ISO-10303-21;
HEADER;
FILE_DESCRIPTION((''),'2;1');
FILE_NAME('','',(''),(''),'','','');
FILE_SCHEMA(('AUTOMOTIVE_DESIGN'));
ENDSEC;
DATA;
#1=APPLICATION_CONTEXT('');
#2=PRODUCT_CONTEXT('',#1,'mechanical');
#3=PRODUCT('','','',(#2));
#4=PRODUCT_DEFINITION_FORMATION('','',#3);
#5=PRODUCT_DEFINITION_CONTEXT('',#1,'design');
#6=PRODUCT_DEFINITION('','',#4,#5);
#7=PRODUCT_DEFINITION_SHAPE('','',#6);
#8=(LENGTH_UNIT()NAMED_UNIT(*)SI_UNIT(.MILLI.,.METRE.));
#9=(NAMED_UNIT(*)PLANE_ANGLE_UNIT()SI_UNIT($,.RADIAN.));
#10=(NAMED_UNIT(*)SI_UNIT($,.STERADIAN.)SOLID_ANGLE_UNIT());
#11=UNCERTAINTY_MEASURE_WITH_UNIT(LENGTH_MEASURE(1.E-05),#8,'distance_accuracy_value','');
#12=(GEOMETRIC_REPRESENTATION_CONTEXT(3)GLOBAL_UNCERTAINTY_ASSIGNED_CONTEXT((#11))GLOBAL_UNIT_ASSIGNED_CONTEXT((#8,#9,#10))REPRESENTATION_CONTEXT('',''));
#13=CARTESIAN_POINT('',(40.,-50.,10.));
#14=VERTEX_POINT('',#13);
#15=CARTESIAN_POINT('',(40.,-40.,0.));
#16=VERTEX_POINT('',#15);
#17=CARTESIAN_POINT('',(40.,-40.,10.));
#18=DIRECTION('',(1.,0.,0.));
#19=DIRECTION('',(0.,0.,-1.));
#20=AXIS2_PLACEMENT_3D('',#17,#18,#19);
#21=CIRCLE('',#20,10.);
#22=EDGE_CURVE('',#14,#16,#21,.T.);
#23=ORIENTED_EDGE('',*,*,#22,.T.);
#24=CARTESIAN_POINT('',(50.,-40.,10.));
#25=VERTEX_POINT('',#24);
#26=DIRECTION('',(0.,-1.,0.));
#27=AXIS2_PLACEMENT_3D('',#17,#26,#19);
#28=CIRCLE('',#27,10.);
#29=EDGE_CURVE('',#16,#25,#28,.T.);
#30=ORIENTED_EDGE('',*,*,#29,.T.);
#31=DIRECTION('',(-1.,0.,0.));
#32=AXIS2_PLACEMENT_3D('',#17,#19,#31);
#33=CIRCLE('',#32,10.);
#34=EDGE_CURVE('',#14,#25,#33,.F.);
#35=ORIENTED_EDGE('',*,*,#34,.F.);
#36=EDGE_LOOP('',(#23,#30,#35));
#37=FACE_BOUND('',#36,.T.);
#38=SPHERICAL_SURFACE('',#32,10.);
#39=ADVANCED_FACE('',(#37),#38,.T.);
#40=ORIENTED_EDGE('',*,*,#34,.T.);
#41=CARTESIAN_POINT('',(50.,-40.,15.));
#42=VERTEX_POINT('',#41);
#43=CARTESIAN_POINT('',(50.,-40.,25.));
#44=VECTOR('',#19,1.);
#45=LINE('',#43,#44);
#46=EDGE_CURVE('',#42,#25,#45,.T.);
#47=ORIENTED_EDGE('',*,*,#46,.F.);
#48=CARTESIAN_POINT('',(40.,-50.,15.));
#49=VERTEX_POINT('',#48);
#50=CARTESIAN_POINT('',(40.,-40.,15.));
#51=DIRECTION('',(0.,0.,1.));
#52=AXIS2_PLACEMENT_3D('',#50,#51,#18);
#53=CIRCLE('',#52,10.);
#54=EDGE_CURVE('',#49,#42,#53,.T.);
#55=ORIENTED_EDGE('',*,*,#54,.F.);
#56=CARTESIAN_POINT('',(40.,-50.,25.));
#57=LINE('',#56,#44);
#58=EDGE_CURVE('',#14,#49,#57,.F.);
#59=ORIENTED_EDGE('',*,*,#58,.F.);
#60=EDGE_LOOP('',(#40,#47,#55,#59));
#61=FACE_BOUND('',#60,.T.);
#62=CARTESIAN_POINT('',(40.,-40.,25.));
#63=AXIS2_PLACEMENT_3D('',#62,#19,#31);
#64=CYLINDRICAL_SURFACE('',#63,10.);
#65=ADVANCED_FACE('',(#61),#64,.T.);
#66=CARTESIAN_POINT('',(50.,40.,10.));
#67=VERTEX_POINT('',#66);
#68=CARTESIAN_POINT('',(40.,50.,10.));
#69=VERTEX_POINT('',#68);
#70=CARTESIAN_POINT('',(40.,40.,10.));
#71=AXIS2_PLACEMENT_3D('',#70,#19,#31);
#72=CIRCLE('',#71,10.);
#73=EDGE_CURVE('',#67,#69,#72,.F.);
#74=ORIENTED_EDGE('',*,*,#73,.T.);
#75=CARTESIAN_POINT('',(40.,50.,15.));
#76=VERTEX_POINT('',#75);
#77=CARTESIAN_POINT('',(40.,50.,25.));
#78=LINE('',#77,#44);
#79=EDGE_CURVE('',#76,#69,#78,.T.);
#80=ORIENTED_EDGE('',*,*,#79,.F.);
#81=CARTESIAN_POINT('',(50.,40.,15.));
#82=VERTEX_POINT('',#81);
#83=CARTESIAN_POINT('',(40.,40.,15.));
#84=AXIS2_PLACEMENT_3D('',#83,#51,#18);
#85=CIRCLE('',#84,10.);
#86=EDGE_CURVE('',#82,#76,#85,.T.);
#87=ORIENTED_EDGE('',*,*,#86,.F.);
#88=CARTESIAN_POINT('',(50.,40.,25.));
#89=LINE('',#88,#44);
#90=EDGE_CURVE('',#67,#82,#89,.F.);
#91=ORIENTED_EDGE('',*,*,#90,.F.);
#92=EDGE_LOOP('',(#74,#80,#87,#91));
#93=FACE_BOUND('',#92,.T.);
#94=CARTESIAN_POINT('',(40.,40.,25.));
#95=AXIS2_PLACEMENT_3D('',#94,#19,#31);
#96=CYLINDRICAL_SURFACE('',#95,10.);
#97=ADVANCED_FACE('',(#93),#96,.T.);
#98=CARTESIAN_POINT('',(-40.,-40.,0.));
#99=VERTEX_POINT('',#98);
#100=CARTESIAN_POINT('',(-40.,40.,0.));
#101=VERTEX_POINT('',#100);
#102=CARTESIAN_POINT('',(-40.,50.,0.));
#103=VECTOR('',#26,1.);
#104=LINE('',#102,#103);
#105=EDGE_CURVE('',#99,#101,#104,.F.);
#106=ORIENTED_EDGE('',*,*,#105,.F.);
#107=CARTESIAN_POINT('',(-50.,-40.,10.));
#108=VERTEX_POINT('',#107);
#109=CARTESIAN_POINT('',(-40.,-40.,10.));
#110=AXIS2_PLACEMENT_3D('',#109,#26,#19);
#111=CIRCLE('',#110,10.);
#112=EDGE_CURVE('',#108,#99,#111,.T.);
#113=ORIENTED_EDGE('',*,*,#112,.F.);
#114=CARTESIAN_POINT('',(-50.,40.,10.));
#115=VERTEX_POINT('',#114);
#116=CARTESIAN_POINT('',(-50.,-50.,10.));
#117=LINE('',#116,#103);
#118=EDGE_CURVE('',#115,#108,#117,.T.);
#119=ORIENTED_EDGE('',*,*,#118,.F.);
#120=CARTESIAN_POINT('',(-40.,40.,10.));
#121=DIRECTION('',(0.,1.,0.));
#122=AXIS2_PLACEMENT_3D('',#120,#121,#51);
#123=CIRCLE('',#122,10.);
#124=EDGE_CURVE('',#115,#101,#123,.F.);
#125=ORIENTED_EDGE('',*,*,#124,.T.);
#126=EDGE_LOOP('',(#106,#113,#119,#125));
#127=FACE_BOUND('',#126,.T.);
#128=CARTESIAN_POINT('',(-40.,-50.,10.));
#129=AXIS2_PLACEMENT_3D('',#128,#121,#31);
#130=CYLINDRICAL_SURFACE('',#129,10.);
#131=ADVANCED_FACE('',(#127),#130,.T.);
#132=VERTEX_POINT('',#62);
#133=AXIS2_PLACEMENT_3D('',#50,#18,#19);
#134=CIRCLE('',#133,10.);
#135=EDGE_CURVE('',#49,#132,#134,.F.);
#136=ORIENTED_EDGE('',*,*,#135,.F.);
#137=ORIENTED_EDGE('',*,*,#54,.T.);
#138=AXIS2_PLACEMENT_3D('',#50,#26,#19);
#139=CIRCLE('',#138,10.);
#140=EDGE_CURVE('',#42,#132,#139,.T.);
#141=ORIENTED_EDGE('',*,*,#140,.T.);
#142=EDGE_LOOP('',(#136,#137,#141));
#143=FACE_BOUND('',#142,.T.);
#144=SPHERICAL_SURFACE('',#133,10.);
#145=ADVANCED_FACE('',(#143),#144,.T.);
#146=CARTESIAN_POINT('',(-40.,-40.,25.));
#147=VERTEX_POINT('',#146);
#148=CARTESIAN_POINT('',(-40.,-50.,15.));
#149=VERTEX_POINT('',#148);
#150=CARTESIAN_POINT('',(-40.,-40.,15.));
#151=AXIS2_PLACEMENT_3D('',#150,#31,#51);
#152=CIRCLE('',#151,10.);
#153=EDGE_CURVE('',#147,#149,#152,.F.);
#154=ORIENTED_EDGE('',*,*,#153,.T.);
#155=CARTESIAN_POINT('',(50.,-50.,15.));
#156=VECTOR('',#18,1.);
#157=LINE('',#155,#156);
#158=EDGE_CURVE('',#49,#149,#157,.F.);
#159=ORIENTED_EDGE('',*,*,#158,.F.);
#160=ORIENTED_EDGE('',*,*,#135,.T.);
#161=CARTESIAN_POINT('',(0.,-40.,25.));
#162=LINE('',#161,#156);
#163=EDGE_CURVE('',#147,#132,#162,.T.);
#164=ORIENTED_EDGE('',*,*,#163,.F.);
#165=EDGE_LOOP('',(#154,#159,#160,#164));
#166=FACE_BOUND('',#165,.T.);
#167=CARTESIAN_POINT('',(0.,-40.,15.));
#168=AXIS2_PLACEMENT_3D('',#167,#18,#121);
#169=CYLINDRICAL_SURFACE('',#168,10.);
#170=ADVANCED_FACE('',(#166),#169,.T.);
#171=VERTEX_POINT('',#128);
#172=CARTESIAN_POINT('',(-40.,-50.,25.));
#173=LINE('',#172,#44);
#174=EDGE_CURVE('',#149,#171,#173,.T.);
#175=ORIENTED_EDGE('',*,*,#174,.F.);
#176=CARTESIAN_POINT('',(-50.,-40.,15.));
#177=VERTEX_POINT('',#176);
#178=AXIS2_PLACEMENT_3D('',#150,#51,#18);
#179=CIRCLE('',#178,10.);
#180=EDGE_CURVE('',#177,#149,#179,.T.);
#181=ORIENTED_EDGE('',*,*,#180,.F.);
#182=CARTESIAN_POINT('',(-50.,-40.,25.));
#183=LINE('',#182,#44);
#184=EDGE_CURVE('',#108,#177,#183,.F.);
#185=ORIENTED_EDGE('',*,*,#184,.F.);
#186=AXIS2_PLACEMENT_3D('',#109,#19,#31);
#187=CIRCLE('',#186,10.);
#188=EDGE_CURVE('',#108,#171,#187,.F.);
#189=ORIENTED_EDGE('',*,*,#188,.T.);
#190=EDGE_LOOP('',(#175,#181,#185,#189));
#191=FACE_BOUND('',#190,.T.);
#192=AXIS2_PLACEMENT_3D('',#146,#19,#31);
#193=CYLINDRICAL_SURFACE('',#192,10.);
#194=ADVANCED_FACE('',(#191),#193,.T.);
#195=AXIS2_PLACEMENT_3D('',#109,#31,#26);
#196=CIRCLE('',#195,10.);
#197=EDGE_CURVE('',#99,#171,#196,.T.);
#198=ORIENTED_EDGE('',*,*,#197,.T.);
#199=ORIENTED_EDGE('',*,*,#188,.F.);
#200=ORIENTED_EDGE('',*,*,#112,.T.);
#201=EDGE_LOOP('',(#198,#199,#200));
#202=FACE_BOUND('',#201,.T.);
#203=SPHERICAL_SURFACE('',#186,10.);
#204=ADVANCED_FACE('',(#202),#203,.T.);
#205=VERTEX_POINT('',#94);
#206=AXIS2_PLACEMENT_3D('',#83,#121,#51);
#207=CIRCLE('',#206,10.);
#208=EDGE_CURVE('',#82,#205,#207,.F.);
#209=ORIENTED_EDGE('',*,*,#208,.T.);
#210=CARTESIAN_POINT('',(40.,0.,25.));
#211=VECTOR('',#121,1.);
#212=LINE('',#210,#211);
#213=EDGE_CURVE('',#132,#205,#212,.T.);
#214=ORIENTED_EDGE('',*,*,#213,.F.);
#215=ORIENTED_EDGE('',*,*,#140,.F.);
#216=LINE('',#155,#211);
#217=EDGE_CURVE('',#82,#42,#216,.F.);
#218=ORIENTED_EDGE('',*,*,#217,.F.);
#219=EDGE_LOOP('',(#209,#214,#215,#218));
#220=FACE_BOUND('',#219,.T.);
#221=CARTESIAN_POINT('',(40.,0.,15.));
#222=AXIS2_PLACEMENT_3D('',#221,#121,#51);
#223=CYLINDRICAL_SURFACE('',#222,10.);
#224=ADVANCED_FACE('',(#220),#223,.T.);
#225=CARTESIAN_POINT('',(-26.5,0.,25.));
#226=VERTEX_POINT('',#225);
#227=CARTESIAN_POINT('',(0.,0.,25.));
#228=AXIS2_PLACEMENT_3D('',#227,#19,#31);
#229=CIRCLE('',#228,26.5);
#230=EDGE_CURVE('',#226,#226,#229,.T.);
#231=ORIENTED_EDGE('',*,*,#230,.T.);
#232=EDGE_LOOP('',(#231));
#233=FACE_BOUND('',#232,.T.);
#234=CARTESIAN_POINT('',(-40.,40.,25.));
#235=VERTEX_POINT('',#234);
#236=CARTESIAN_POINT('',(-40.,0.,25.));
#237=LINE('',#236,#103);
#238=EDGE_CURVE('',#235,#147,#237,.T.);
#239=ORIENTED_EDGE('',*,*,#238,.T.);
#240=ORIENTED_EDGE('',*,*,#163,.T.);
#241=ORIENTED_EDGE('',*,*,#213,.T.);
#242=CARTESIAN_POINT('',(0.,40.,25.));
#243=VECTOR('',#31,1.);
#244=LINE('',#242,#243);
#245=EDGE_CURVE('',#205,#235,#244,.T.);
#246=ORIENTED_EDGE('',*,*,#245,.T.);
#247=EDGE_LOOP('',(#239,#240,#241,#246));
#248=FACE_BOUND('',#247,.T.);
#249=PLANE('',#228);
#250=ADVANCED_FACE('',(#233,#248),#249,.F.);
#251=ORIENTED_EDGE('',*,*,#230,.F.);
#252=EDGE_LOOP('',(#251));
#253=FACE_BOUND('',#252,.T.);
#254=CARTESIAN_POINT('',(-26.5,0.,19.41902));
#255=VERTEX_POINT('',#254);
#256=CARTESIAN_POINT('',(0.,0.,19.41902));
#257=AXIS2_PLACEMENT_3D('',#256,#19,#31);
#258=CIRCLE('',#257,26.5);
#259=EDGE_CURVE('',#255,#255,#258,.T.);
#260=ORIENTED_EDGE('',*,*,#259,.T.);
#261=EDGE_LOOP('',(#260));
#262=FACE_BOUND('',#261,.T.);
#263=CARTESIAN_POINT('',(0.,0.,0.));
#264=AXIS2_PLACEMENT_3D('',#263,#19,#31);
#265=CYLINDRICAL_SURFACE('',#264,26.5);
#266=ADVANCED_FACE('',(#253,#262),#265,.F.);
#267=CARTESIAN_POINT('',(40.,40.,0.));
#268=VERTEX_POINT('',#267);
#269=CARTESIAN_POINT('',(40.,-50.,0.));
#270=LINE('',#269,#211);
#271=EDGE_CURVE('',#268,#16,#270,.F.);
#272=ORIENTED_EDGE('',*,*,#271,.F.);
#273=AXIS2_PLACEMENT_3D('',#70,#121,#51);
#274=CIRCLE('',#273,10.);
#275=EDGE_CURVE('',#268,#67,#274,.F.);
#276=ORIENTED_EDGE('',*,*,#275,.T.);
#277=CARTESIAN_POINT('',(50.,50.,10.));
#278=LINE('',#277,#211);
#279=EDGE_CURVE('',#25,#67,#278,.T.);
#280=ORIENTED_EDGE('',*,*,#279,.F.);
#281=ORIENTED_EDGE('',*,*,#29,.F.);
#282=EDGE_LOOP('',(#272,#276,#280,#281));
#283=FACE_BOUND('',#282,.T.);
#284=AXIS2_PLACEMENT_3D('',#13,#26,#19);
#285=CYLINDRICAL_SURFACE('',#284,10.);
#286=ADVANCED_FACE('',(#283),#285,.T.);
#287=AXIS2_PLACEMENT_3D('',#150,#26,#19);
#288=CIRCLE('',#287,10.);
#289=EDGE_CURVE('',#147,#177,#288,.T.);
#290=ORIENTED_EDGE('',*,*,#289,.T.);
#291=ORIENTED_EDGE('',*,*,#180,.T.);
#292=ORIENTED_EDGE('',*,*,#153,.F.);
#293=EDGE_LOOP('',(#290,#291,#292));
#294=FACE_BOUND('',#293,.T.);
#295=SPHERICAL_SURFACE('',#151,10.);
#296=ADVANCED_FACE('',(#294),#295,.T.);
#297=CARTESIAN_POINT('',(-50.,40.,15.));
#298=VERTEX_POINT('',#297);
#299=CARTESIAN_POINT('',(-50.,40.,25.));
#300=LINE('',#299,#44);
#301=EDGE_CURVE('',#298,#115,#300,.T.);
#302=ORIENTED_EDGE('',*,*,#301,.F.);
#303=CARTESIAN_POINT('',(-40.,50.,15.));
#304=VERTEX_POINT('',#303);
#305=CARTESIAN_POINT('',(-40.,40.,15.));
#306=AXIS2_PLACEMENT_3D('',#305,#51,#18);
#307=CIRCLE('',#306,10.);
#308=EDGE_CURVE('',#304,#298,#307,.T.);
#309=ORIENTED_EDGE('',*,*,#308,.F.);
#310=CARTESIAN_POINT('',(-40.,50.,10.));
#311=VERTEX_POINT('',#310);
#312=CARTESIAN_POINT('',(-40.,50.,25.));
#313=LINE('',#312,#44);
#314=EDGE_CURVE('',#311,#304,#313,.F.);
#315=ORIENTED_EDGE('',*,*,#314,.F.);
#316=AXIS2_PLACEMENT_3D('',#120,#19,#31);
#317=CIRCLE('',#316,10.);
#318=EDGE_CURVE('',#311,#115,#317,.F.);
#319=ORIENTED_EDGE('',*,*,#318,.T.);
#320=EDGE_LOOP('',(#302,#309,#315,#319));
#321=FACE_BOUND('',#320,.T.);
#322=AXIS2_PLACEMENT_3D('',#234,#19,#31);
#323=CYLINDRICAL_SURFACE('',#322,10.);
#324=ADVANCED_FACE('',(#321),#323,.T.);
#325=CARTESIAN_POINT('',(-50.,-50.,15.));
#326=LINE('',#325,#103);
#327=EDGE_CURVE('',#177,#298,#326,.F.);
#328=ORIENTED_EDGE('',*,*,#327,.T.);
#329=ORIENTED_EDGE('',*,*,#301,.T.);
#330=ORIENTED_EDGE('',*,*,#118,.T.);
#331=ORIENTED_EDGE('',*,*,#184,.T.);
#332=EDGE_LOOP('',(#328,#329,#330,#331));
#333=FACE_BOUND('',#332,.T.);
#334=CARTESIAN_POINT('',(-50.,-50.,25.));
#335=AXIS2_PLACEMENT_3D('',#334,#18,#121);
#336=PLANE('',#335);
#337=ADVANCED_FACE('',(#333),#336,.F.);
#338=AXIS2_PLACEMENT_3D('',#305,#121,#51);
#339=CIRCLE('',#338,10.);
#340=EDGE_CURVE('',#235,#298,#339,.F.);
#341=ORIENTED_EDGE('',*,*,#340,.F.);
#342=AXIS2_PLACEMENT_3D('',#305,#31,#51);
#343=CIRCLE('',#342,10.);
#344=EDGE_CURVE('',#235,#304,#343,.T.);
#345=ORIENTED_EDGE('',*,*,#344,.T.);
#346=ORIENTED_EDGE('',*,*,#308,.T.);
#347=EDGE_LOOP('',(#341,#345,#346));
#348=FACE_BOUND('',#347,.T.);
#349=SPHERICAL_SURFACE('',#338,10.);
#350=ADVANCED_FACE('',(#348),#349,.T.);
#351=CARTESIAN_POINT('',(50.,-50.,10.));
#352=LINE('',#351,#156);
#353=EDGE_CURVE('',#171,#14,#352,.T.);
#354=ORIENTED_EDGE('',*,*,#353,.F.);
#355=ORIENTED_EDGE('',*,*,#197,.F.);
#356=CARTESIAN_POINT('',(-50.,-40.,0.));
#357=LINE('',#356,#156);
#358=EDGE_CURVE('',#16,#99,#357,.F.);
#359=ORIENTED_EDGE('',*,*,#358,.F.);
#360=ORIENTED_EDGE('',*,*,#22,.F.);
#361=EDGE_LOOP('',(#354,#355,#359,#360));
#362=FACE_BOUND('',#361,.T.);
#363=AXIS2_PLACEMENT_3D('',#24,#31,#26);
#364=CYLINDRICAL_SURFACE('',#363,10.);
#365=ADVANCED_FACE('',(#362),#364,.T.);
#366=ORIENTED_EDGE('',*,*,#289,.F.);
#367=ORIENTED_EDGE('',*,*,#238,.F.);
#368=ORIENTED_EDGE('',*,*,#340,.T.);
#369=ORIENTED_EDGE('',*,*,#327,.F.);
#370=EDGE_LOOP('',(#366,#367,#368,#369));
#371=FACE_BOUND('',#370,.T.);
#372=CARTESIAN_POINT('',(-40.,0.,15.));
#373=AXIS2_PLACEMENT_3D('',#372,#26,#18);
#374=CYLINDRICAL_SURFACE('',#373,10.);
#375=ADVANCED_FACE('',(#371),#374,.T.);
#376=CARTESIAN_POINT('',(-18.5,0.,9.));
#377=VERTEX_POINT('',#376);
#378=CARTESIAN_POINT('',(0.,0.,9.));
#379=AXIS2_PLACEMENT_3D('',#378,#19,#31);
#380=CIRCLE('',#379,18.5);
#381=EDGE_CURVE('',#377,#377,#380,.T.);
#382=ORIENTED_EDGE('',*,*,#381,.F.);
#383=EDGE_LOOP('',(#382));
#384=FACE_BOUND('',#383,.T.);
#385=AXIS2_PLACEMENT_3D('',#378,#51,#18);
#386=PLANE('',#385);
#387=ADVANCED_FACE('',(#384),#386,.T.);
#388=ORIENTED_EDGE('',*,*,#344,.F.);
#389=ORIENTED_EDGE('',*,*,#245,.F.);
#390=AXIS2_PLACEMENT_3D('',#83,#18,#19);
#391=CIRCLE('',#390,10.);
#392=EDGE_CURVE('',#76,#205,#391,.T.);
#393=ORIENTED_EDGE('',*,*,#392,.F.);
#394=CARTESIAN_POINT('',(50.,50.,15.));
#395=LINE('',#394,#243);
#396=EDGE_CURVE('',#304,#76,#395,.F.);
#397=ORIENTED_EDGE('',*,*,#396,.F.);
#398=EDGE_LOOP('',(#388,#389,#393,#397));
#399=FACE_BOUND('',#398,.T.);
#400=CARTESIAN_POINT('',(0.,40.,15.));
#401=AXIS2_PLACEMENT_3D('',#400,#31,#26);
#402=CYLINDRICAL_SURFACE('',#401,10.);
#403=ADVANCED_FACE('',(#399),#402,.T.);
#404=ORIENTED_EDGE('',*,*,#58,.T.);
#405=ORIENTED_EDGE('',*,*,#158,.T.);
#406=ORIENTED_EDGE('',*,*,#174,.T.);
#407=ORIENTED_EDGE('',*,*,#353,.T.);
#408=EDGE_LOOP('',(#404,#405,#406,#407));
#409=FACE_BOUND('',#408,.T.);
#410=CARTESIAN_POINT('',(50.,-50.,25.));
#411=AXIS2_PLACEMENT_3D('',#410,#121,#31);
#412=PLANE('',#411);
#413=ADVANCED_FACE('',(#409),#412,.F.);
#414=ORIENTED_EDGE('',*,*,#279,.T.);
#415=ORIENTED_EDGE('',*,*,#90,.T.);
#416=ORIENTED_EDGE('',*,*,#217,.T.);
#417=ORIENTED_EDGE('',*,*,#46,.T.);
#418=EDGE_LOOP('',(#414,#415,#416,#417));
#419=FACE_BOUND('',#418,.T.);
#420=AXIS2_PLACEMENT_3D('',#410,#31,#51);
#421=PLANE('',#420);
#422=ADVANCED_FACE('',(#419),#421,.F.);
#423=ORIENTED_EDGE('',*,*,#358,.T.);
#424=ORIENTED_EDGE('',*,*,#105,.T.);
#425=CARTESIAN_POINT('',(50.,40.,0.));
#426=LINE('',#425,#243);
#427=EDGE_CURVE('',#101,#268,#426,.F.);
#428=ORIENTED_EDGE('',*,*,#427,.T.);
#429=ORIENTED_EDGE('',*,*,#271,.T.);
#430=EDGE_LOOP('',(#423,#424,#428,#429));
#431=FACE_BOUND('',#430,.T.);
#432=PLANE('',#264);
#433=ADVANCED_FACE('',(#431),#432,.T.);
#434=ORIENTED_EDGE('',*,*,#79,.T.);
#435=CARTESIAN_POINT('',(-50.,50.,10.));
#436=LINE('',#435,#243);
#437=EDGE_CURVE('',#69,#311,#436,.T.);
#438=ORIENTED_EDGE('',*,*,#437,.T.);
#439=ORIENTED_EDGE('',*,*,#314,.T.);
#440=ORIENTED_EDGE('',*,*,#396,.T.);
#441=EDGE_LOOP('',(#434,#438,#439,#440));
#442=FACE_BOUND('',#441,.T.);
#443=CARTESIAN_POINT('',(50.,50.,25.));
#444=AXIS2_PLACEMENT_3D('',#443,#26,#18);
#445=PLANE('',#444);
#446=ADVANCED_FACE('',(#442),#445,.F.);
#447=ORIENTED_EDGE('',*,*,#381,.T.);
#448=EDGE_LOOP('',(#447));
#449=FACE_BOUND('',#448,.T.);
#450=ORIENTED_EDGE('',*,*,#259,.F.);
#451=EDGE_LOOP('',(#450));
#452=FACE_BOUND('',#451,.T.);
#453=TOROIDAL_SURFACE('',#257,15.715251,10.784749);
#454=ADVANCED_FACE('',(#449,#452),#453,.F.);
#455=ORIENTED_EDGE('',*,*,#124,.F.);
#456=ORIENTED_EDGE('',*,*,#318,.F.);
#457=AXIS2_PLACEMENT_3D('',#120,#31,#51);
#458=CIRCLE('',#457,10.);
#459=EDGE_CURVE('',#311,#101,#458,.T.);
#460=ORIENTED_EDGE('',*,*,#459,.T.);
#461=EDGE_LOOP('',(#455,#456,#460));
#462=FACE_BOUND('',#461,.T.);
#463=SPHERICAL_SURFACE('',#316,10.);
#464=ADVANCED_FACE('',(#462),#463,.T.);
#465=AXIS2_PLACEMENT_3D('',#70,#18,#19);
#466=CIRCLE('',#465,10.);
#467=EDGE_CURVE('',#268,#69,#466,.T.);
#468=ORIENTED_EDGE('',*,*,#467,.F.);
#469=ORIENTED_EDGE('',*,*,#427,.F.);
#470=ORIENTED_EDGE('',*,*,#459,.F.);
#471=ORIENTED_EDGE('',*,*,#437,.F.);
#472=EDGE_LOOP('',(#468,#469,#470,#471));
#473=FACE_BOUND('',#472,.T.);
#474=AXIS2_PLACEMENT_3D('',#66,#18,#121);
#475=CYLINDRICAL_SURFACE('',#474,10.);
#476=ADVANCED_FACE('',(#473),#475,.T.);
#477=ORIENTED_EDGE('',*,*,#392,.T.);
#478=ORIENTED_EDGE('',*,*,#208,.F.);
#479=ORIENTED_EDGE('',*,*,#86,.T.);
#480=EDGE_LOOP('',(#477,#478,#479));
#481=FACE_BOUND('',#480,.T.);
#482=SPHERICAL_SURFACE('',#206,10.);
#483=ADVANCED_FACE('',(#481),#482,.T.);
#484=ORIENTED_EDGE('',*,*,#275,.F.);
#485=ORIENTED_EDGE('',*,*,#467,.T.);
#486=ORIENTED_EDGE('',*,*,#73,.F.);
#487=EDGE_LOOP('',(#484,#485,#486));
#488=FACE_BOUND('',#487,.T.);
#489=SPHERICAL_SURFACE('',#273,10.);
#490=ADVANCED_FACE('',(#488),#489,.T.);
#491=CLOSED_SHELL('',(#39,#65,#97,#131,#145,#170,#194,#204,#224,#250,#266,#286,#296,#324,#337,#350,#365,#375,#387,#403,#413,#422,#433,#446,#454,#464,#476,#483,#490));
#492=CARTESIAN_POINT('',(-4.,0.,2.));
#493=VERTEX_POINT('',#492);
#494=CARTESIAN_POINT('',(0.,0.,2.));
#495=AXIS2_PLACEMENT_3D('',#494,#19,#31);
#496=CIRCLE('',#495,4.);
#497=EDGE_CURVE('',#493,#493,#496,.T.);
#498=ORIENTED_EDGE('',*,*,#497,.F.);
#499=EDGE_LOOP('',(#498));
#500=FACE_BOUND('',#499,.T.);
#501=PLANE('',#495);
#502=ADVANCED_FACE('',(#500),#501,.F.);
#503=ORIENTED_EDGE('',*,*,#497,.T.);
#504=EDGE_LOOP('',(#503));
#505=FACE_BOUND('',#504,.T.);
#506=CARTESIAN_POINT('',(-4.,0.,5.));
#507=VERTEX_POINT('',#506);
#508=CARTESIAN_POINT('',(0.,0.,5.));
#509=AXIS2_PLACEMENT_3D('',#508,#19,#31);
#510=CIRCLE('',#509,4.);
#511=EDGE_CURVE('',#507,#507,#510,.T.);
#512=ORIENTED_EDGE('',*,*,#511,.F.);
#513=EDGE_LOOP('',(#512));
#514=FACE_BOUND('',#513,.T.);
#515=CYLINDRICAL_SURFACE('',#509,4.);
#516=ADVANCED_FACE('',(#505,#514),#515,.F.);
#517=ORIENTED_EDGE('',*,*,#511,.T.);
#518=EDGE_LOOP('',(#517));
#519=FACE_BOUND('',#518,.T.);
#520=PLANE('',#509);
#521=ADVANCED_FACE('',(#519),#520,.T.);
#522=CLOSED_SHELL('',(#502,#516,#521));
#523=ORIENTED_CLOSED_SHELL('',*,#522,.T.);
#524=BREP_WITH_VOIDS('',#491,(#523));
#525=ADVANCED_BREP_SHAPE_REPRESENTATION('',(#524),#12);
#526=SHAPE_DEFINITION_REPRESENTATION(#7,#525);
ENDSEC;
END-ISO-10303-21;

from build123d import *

# Parameters (mm, degrees)
SKETCH1_W           = 100
SKETCH1_H           = 100
BOSS_EXTRUDE1_DEPTH = 25
FILLET2_R           = 10
CUT_EXTRUDE1_START  = -2
SKETCH5_R           = 4
CUT_EXTRUDE1_DEPTH  = 3


with BuildPart() as part:
    # Sketch1 → Boss-Extrude1 (new body)
    with BuildSketch(Plane(origin=(0, 0, 0), x_dir=(0, 1, 0), z_dir=(0, 0, 1))):
        Rectangle(SKETCH1_W, SKETCH1_H)
    extrude(amount=BOSS_EXTRUDE1_DEPTH)

    # Sketch4 → Cut-Revolve2 (revolve, cut)
    with BuildSketch(Plane(origin=(0, 0, 0), x_dir=(0, -1, 0), z_dir=(-1, 0, 0))):
        with BuildLine():
            Line((0, 25), (0, 9))
            Line((0, 9), (-18.5, 9))
            ThreePointArc((-18.5, 9), (-24.269303538, 12.850991806), (-26.5, 19.41902001))
            Line((-26.5, 19.41902001), (-26.5, 25))
            Line((-26.5, 25), (0, 25))
        make_face()
    revolve(axis=Axis((0, 0, 0), (0, 0, 1)), mode=Mode.SUBTRACT)

    # Fillet2
    fillet2_edges = [part.edges().sort_by_distance(p)[0] for p in [
        (0, -50, 25),
        (0, -50, 0),
        (50, -50, 12.5),
        (50, 0, 25),
        (50, 0, 0),
        (-50, 0, 25),
        (-50, -50, 12.5),
        (-50, 0, 0),
        (50, 50, 12.5),
        (0, 50, 25),
        (-50, 50, 12.5),
        (0, 50, 0),
    ]]
    fillet(fillet2_edges, radius=FILLET2_R)

    # Sketch5 → Cut-Extrude1 (cut)
    with BuildSketch(Plane(origin=(0, 0, 0), x_dir=(1, 0, 0), z_dir=(0, 0, -1)).offset(CUT_EXTRUDE1_START)):
        Circle(SKETCH5_R)
    extrude(amount=-CUT_EXTRUDE1_DEPTH, mode=Mode.SUBTRACT)


solid = part.part
